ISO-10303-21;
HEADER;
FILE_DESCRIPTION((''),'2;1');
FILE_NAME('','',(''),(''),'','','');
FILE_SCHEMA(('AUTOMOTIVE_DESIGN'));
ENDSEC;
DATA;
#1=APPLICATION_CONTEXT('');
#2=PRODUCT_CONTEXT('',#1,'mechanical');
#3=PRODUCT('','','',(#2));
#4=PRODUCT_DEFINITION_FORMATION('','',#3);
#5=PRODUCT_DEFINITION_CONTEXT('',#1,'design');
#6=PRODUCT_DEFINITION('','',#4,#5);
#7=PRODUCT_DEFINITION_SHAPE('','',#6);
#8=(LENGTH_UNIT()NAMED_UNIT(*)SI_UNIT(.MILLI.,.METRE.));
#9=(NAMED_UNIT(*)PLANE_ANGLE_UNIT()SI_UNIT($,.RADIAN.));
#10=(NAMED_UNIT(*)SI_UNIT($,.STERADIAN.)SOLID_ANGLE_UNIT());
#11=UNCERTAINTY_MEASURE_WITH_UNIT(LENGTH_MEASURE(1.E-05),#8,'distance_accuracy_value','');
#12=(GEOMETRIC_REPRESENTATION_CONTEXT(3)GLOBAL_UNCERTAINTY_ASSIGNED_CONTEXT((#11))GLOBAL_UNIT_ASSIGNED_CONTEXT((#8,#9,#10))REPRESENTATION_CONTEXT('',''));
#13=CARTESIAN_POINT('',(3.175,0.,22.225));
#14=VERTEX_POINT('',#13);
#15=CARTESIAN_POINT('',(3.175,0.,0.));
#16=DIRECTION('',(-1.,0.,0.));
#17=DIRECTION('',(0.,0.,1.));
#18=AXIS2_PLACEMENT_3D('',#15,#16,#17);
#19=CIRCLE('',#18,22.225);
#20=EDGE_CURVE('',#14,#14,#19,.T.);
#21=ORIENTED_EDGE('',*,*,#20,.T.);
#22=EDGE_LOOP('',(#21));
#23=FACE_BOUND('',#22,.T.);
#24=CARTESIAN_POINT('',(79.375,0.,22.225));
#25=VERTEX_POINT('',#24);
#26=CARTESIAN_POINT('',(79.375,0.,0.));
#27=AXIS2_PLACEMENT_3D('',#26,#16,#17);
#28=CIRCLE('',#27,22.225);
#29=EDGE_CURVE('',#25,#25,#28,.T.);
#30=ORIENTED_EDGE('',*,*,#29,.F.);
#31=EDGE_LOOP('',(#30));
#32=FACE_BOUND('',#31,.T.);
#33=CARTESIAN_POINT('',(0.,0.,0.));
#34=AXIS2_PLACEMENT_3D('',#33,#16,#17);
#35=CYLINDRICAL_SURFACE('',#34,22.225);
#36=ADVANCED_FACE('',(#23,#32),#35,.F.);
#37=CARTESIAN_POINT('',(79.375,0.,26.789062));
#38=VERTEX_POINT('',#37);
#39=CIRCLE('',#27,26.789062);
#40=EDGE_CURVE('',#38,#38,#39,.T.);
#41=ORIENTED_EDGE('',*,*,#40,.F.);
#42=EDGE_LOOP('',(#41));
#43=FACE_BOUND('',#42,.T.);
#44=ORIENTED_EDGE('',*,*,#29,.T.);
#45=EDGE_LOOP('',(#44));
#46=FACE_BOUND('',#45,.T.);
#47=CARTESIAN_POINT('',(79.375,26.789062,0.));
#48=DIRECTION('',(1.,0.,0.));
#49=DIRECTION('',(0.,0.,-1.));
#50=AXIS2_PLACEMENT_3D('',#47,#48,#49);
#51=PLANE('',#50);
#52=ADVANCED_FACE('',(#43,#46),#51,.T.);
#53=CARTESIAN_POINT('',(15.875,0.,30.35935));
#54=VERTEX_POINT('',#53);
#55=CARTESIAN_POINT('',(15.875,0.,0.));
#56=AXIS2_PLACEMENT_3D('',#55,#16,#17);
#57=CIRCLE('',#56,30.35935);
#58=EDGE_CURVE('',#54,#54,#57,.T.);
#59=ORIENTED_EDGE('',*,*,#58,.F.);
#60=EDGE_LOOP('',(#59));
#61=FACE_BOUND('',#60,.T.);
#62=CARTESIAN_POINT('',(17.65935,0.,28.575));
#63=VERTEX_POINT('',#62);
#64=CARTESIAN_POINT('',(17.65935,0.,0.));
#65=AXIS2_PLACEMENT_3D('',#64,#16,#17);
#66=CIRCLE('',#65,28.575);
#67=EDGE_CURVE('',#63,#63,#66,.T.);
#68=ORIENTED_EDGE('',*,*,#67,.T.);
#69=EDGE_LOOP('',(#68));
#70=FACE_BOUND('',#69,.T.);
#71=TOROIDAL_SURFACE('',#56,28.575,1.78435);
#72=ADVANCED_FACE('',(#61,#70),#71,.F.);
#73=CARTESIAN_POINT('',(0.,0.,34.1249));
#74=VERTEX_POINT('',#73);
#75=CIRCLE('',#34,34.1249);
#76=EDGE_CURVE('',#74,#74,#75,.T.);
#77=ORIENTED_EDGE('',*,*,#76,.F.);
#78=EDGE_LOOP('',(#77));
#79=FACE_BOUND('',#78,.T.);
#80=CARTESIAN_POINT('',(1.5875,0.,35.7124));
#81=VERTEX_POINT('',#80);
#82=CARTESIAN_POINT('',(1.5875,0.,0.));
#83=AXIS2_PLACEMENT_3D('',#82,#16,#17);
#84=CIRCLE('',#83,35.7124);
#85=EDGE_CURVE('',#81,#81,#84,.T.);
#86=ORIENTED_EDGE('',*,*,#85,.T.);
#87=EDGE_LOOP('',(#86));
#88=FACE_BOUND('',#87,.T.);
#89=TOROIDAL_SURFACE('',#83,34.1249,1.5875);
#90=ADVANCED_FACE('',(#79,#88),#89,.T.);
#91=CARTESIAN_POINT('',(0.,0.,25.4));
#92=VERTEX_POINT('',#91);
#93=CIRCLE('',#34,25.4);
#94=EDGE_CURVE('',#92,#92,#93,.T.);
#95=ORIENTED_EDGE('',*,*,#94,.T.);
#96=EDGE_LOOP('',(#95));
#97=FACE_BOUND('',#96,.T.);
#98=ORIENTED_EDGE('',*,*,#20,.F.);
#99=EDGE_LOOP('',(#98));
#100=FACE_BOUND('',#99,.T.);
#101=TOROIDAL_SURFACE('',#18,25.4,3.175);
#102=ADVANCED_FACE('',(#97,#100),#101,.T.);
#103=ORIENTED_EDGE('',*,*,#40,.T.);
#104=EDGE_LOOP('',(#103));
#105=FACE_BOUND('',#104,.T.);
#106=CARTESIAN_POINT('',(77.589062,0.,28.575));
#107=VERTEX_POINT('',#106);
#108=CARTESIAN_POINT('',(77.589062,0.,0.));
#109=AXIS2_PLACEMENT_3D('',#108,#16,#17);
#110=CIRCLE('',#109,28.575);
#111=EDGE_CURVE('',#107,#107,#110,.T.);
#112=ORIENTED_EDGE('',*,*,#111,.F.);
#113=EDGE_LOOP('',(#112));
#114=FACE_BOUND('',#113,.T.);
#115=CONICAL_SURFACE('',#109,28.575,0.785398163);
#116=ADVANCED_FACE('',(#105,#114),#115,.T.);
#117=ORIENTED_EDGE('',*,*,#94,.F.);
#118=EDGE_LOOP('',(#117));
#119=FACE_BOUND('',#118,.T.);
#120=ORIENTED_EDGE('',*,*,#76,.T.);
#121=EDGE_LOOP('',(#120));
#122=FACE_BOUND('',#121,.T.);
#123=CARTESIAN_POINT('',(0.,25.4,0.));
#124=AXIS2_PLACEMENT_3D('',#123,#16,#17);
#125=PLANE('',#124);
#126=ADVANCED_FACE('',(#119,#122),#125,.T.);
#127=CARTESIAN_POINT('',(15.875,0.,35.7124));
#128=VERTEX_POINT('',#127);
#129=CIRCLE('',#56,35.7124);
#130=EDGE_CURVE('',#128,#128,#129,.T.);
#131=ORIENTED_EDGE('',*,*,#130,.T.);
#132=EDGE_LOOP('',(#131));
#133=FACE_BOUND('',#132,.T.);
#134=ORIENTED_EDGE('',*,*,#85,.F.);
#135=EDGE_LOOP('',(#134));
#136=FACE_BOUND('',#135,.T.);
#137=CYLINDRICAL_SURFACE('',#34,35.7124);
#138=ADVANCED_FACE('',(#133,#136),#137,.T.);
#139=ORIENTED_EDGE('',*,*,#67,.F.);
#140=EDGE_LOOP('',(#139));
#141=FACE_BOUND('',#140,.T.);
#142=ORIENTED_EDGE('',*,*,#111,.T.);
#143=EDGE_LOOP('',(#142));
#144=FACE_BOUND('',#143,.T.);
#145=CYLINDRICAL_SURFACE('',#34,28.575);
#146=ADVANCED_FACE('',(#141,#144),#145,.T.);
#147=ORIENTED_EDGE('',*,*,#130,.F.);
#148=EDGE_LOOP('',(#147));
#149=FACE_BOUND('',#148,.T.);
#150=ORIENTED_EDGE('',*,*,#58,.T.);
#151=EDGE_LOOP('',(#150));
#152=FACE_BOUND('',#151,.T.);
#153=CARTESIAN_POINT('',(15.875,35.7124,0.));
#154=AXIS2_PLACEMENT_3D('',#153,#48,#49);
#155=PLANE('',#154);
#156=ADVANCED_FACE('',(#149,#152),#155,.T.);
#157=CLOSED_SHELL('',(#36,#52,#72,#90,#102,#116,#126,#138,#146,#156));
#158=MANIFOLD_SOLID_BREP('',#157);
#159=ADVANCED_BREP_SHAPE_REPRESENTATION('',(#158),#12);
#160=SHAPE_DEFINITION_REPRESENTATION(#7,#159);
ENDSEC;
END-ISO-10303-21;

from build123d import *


with BuildPart() as part:
    # Sketch1 → BaseBody (revolve)
    with BuildSketch(Plane.XY, mode=Mode.PRIVATE) as basebody_sk:
        with BuildLine():
            Line((0, 25.4), (0, 34.1249))
            ThreePointArc((0, 34.1249), (0.464967985, 35.247432015), (1.5875, 35.7124))
            Line((1.5875, 35.7124), (15.875, 35.7124))
            Line((15.875, 35.7124), (15.875, 30.35935))
            ThreePointArc((15.875, 30.35935), (14.613274015, 27.313274015), (17.65935, 28.575))
            Line((17.65935, 28.575), (77.5890625, 28.575))
            Line((77.5890625, 28.575), (79.375, 26.7890625))
            Line((79.375, 26.7890625), (79.375, 22.225))
            Line((79.375, 22.225), (3.175, 22.225))
            ThreePointArc((3.175, 22.225), (0.92993597, 23.15493597), (0, 25.4))
        make_face()
    revolve(basebody_sk.sketch.rotate(Axis((0, 0, 0), (1, 0, 0)), 90), axis=Axis((0, 0, 0), (1, 0, 0)))


solid = part.part
